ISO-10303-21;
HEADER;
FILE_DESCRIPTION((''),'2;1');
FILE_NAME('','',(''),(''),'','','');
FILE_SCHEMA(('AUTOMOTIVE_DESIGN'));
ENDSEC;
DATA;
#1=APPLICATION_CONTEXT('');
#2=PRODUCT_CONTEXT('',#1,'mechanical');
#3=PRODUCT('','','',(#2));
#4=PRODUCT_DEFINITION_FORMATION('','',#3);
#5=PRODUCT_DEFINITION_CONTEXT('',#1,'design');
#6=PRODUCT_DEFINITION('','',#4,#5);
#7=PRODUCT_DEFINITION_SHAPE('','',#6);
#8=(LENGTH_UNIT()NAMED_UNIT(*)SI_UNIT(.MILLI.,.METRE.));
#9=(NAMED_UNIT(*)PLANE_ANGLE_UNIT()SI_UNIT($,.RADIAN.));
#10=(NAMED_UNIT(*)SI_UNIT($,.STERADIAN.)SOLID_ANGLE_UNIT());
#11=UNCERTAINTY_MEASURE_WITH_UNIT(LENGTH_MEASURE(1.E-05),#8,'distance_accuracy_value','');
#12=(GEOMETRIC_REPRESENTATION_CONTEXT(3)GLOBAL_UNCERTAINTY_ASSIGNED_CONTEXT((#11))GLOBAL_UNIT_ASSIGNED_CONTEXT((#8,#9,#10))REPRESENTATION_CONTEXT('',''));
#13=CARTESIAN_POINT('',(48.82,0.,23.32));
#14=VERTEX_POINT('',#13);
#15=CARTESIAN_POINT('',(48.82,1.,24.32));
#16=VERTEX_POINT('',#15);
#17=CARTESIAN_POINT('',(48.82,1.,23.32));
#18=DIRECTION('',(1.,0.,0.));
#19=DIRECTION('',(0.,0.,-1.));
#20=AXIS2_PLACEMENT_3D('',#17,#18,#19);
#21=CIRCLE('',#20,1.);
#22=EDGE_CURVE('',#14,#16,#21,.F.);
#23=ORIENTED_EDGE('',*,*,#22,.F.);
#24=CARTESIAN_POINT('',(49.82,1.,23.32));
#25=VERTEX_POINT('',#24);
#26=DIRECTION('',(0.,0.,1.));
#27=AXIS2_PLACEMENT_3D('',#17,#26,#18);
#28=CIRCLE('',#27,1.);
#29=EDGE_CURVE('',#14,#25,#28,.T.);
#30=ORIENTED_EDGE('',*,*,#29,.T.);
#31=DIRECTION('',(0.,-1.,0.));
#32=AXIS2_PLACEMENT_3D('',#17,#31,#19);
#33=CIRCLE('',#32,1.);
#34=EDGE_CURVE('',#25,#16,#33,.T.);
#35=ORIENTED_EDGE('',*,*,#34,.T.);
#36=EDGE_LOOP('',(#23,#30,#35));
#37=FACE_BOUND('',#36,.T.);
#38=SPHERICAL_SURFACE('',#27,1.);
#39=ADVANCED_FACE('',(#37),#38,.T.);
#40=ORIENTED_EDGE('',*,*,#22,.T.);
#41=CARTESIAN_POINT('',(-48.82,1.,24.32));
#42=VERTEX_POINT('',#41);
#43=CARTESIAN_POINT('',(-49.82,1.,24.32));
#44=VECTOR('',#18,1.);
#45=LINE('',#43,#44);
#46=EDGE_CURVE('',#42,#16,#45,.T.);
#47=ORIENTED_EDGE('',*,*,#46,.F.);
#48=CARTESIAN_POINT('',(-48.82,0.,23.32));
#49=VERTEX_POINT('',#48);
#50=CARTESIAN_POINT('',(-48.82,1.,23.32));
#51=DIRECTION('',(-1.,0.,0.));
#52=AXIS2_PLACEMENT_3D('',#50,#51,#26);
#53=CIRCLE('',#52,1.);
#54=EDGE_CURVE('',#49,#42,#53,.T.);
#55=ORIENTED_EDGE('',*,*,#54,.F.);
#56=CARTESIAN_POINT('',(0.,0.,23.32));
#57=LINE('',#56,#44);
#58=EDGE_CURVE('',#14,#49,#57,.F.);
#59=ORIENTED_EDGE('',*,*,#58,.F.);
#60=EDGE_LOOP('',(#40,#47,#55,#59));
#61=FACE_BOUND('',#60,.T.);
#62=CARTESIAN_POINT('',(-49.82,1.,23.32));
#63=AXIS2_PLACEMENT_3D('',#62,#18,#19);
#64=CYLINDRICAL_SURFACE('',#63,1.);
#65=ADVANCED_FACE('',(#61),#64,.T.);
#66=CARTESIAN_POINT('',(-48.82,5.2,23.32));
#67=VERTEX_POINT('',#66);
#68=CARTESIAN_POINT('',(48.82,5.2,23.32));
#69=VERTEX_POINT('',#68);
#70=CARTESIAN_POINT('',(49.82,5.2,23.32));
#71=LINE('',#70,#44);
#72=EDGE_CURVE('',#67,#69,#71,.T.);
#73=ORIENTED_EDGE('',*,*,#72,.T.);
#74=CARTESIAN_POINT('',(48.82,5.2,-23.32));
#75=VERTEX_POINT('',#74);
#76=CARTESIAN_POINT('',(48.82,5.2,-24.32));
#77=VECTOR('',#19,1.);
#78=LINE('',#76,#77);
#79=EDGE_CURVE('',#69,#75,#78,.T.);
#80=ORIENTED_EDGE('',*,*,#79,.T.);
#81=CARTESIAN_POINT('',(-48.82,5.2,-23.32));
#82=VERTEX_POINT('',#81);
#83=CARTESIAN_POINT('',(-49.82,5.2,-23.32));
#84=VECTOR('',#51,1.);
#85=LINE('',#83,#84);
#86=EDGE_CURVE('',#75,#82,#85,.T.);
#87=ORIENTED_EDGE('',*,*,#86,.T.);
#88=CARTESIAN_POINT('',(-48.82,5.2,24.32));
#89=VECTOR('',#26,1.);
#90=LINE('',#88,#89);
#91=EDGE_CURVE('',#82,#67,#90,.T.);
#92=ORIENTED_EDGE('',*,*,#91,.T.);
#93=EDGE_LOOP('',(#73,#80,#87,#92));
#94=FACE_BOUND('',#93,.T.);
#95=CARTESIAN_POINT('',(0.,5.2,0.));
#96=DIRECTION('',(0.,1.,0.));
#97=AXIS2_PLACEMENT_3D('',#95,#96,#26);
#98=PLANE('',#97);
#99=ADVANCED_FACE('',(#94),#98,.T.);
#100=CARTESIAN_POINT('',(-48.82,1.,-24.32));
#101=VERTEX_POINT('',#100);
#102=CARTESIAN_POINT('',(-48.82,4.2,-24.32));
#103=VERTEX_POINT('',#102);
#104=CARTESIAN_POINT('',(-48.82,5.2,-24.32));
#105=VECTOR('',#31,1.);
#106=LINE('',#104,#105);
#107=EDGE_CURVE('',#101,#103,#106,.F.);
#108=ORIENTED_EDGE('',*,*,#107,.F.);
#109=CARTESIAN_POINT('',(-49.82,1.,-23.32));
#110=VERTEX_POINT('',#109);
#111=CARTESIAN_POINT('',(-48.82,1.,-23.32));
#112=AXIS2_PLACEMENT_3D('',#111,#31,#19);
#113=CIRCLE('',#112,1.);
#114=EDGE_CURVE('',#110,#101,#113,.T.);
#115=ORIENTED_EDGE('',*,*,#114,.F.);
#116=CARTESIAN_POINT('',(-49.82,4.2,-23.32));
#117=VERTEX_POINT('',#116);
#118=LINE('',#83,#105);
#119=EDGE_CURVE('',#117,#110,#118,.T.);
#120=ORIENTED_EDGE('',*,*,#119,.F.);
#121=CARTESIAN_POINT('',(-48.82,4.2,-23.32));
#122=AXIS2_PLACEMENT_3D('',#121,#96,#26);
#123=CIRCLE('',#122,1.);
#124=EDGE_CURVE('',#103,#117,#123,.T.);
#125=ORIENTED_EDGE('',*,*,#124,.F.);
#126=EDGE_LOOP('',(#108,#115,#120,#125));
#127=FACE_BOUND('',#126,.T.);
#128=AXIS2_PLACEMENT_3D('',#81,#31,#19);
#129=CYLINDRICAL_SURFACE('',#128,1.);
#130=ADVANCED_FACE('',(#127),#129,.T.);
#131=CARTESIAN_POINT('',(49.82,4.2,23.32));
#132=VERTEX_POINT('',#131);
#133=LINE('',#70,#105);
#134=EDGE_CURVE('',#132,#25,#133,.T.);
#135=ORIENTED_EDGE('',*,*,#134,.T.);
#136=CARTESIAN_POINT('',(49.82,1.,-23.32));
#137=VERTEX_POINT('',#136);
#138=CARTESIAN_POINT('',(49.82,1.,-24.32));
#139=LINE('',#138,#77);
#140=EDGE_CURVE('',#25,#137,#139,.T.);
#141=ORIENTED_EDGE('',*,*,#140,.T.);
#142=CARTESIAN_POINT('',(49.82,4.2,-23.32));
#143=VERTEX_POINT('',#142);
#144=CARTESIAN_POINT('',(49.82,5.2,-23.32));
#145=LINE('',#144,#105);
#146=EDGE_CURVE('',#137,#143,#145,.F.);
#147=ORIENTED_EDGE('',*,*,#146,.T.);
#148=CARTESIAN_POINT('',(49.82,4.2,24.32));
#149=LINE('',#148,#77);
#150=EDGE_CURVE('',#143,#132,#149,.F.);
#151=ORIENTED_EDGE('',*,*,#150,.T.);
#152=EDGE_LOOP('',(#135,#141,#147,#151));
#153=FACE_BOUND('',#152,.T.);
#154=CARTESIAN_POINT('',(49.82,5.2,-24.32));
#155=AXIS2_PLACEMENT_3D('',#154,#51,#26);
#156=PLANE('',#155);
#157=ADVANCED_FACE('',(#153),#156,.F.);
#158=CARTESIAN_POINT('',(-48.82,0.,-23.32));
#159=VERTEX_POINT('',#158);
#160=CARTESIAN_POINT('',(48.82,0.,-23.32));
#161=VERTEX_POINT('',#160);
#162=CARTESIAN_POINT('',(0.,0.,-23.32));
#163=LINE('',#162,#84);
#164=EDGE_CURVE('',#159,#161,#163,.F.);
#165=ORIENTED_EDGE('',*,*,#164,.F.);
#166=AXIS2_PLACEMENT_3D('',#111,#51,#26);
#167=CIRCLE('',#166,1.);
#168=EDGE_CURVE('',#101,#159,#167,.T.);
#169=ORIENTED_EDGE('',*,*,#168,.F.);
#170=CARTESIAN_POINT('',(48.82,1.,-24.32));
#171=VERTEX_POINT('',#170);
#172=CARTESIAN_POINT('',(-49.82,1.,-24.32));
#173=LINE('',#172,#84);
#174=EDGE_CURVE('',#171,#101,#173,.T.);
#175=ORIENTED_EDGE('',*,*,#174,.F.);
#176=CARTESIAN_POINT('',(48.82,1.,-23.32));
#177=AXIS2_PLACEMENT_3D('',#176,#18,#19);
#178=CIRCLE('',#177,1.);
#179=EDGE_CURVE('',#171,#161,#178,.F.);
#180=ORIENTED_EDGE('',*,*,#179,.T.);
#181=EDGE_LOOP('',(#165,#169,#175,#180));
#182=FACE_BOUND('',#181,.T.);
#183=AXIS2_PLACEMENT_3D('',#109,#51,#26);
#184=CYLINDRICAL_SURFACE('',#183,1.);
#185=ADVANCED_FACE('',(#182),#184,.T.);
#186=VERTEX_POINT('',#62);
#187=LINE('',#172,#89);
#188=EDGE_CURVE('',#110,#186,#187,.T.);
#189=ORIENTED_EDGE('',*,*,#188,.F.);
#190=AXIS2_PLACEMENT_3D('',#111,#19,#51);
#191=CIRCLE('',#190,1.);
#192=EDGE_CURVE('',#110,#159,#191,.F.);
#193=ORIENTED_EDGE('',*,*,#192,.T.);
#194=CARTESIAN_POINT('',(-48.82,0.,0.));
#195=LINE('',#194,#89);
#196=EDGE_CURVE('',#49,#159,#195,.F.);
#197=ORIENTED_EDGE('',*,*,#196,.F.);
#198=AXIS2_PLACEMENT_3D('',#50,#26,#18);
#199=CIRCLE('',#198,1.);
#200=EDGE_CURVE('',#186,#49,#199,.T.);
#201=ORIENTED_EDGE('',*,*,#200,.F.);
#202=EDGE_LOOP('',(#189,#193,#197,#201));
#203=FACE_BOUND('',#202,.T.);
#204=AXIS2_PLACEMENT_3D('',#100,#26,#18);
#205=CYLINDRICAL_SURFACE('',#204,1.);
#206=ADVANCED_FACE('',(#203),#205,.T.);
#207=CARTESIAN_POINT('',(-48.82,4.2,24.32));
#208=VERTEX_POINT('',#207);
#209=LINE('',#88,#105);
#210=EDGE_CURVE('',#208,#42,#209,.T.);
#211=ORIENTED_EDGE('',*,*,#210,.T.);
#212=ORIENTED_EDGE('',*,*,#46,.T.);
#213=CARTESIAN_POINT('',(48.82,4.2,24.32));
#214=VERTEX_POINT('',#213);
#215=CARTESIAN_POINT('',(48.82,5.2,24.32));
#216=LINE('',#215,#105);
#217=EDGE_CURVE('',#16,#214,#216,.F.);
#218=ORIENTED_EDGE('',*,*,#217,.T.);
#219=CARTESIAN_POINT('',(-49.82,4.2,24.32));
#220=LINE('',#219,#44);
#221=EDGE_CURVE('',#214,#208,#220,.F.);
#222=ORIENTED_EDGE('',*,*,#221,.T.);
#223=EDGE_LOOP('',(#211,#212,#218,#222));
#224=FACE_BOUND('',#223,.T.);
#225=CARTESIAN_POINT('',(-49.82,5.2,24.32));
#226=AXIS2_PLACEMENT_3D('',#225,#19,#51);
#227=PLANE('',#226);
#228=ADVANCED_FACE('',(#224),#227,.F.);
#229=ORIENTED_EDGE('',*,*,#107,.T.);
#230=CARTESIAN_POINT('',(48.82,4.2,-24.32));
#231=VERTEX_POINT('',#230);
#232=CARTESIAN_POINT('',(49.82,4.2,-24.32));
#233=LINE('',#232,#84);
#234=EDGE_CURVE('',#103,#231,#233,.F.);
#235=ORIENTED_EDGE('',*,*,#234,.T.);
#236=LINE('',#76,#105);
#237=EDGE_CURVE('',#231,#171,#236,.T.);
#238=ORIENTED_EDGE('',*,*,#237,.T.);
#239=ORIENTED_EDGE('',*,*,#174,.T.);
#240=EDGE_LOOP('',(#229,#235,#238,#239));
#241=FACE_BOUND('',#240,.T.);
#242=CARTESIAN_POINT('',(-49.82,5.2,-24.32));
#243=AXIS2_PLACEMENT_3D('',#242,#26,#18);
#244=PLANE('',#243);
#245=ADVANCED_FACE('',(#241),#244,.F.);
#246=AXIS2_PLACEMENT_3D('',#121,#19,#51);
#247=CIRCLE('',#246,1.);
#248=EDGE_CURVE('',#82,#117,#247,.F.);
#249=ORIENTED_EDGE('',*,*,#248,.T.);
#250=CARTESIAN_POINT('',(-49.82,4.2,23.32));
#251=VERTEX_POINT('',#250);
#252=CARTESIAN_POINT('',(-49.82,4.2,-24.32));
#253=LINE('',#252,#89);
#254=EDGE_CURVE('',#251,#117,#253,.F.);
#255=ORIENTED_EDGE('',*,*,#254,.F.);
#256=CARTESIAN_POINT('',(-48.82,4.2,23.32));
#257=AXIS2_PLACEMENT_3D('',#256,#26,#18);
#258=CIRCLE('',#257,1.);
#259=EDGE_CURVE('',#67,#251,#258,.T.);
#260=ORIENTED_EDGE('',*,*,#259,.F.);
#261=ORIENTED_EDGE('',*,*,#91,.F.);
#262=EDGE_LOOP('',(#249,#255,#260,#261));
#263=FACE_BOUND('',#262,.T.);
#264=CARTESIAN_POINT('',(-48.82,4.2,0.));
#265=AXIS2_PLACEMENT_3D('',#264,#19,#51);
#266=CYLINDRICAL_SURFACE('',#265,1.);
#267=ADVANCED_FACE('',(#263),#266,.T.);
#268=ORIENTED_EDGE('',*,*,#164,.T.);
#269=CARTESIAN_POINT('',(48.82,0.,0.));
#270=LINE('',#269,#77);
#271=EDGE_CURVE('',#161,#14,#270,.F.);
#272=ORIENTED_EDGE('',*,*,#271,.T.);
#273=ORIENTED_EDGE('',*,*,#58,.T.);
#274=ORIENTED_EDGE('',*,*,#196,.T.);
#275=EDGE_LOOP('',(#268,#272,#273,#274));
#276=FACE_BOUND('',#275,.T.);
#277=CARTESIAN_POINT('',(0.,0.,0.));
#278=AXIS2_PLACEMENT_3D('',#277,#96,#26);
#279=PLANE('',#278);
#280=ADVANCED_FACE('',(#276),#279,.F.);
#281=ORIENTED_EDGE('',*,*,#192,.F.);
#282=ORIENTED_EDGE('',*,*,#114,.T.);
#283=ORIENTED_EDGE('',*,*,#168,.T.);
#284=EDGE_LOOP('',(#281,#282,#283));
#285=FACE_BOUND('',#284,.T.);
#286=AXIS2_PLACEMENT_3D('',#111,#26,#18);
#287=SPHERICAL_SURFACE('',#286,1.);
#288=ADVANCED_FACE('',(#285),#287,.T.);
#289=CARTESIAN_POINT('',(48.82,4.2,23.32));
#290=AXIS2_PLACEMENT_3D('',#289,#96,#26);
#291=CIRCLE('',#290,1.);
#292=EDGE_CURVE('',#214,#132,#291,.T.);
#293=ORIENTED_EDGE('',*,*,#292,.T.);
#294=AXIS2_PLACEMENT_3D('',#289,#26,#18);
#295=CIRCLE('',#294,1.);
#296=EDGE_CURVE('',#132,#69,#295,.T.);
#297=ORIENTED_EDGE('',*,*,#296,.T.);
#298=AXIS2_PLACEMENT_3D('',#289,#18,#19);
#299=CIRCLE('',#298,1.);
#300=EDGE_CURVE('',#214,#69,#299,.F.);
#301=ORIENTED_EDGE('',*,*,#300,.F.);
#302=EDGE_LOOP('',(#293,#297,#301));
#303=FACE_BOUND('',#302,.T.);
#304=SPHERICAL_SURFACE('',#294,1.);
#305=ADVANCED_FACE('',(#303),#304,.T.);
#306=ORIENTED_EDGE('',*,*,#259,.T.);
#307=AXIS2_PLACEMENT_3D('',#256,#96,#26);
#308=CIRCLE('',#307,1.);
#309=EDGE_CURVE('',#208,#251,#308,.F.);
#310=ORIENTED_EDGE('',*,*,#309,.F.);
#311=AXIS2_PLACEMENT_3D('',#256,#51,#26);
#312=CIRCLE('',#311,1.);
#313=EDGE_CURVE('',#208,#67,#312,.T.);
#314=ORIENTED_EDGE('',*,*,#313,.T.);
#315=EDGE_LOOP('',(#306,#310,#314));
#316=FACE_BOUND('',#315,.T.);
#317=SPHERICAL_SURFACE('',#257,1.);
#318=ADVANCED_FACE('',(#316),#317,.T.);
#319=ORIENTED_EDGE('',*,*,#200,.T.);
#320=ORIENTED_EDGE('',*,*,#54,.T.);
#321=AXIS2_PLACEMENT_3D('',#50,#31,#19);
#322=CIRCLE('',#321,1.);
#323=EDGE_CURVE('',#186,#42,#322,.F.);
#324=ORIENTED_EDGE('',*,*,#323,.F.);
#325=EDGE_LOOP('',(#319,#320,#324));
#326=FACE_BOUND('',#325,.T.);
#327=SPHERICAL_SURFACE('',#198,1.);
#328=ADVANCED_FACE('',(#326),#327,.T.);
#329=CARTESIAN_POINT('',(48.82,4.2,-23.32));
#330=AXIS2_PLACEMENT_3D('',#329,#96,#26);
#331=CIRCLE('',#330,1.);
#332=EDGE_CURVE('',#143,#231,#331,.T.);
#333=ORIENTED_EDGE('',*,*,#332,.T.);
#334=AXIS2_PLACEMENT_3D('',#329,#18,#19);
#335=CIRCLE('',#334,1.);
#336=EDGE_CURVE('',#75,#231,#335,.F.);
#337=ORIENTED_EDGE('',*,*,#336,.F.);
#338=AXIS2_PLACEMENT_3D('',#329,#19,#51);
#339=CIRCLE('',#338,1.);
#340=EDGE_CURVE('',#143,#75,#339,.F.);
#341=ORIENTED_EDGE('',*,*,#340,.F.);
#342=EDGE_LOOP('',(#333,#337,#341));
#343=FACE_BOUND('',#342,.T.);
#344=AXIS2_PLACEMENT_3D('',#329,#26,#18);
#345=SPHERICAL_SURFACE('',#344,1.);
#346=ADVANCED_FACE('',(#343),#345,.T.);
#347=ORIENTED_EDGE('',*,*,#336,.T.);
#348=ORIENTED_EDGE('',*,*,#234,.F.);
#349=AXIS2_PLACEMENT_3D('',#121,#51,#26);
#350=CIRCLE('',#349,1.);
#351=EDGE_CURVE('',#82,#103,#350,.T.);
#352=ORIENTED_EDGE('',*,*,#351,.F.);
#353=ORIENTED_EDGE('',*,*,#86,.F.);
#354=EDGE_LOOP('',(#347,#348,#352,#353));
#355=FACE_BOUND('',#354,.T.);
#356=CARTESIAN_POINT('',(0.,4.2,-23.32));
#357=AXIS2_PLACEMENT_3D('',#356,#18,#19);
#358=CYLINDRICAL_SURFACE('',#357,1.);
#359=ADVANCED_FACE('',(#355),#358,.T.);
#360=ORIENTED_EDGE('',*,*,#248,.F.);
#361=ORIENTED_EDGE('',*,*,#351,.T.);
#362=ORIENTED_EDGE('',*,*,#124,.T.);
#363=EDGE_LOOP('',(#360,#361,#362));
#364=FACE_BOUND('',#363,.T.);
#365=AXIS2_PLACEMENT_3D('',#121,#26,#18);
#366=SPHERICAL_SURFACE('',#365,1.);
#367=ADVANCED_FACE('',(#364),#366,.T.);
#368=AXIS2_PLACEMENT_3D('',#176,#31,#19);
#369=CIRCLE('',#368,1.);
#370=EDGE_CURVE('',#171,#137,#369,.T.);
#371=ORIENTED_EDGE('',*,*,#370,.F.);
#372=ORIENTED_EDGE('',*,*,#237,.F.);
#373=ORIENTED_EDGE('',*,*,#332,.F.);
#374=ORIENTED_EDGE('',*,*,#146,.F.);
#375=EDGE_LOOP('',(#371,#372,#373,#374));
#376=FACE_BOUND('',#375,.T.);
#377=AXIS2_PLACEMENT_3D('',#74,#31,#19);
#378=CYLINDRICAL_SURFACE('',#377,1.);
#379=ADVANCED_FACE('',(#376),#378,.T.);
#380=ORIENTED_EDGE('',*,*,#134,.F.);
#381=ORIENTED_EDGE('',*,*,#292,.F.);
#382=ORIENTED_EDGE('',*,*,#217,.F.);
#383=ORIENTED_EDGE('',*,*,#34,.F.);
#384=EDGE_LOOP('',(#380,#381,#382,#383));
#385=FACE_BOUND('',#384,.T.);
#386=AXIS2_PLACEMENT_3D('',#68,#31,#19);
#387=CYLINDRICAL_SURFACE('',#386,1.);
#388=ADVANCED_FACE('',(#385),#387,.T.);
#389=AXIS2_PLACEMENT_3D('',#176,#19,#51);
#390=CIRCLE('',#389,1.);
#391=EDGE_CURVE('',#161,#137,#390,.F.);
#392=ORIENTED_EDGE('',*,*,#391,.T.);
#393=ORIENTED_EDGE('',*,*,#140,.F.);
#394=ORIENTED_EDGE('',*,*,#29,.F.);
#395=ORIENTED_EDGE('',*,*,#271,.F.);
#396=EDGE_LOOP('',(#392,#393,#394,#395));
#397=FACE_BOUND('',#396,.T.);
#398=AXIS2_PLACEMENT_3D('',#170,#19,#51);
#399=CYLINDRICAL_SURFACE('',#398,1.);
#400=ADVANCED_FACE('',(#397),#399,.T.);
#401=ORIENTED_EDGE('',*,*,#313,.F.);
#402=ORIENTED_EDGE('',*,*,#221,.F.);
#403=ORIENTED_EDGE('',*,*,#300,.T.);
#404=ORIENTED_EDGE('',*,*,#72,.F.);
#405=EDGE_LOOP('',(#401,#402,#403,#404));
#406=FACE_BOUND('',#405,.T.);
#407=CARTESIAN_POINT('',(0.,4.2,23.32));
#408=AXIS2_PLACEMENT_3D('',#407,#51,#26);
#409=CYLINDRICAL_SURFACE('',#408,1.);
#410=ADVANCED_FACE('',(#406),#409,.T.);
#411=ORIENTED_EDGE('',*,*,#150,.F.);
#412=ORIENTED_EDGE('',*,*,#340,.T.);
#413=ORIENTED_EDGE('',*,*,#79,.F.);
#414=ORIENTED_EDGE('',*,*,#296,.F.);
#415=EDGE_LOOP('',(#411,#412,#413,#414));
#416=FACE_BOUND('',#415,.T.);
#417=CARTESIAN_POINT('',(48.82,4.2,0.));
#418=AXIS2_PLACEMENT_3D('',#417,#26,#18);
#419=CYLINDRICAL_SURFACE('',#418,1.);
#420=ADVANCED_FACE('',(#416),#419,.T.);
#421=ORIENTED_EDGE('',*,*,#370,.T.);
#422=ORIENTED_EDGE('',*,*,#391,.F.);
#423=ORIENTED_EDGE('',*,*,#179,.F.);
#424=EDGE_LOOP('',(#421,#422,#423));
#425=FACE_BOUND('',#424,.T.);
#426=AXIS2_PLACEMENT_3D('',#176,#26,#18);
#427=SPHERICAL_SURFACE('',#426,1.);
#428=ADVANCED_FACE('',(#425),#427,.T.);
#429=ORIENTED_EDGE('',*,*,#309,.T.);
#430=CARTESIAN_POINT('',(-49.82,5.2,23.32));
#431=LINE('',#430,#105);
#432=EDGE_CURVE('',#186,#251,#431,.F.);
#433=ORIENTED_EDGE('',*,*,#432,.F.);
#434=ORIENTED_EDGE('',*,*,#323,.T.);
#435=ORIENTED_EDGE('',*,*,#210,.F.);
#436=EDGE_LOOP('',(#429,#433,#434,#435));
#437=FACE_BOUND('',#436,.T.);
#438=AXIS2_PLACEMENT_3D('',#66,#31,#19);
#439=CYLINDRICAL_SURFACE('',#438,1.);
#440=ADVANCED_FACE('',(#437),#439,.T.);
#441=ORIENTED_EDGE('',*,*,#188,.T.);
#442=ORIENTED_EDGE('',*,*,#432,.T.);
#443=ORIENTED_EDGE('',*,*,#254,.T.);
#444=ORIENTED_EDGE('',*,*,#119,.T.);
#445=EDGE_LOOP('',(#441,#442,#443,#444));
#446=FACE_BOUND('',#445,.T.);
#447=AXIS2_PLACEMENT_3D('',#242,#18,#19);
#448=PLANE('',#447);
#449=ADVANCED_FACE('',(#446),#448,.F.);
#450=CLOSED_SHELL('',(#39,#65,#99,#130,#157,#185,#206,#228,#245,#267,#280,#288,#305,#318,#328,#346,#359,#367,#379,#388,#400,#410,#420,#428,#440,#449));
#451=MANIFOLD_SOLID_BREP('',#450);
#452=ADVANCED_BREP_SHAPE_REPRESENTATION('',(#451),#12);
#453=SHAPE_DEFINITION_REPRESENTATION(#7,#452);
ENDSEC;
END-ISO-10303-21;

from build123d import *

# Parameters (mm, degrees)
SKETCH_1_W      = 99.64
SKETCH_1_H      = 48.64
EXTRUDE_1_DEPTH = 5.2
FILLET_1_R      = 1


with BuildPart() as part:
    # 草图1 → 凸台-拉伸1 (new body)
    with BuildSketch(Plane(origin=(0, 0, 0), x_dir=(1, 0, 0), z_dir=(0, 1, 0))):
        Rectangle(SKETCH_1_W, SKETCH_1_H)
    extrude(amount=EXTRUDE_1_DEPTH)

    # 圆角1
    fillet_1_edges = [part.edges().sort_by_distance(p)[0] for p in [
        (49.82, 5.2, 0),
        (0, 5.2, -24.32),
        (-49.82, 5.2, 0),
        (0, 0, -24.32),
        (49.82, 0, 0),
        (0, 0, 24.32),
        (-49.82, 0, 0),
        (0, 5.2, 24.32),
        (-49.82, 2.6, -24.32),
        (49.82, 2.6, -24.32),
        (49.82, 2.6, 24.32),
        (-49.82, 2.6, 24.32),
    ]]
    fillet(fillet_1_edges, radius=FILLET_1_R)


solid = part.part
